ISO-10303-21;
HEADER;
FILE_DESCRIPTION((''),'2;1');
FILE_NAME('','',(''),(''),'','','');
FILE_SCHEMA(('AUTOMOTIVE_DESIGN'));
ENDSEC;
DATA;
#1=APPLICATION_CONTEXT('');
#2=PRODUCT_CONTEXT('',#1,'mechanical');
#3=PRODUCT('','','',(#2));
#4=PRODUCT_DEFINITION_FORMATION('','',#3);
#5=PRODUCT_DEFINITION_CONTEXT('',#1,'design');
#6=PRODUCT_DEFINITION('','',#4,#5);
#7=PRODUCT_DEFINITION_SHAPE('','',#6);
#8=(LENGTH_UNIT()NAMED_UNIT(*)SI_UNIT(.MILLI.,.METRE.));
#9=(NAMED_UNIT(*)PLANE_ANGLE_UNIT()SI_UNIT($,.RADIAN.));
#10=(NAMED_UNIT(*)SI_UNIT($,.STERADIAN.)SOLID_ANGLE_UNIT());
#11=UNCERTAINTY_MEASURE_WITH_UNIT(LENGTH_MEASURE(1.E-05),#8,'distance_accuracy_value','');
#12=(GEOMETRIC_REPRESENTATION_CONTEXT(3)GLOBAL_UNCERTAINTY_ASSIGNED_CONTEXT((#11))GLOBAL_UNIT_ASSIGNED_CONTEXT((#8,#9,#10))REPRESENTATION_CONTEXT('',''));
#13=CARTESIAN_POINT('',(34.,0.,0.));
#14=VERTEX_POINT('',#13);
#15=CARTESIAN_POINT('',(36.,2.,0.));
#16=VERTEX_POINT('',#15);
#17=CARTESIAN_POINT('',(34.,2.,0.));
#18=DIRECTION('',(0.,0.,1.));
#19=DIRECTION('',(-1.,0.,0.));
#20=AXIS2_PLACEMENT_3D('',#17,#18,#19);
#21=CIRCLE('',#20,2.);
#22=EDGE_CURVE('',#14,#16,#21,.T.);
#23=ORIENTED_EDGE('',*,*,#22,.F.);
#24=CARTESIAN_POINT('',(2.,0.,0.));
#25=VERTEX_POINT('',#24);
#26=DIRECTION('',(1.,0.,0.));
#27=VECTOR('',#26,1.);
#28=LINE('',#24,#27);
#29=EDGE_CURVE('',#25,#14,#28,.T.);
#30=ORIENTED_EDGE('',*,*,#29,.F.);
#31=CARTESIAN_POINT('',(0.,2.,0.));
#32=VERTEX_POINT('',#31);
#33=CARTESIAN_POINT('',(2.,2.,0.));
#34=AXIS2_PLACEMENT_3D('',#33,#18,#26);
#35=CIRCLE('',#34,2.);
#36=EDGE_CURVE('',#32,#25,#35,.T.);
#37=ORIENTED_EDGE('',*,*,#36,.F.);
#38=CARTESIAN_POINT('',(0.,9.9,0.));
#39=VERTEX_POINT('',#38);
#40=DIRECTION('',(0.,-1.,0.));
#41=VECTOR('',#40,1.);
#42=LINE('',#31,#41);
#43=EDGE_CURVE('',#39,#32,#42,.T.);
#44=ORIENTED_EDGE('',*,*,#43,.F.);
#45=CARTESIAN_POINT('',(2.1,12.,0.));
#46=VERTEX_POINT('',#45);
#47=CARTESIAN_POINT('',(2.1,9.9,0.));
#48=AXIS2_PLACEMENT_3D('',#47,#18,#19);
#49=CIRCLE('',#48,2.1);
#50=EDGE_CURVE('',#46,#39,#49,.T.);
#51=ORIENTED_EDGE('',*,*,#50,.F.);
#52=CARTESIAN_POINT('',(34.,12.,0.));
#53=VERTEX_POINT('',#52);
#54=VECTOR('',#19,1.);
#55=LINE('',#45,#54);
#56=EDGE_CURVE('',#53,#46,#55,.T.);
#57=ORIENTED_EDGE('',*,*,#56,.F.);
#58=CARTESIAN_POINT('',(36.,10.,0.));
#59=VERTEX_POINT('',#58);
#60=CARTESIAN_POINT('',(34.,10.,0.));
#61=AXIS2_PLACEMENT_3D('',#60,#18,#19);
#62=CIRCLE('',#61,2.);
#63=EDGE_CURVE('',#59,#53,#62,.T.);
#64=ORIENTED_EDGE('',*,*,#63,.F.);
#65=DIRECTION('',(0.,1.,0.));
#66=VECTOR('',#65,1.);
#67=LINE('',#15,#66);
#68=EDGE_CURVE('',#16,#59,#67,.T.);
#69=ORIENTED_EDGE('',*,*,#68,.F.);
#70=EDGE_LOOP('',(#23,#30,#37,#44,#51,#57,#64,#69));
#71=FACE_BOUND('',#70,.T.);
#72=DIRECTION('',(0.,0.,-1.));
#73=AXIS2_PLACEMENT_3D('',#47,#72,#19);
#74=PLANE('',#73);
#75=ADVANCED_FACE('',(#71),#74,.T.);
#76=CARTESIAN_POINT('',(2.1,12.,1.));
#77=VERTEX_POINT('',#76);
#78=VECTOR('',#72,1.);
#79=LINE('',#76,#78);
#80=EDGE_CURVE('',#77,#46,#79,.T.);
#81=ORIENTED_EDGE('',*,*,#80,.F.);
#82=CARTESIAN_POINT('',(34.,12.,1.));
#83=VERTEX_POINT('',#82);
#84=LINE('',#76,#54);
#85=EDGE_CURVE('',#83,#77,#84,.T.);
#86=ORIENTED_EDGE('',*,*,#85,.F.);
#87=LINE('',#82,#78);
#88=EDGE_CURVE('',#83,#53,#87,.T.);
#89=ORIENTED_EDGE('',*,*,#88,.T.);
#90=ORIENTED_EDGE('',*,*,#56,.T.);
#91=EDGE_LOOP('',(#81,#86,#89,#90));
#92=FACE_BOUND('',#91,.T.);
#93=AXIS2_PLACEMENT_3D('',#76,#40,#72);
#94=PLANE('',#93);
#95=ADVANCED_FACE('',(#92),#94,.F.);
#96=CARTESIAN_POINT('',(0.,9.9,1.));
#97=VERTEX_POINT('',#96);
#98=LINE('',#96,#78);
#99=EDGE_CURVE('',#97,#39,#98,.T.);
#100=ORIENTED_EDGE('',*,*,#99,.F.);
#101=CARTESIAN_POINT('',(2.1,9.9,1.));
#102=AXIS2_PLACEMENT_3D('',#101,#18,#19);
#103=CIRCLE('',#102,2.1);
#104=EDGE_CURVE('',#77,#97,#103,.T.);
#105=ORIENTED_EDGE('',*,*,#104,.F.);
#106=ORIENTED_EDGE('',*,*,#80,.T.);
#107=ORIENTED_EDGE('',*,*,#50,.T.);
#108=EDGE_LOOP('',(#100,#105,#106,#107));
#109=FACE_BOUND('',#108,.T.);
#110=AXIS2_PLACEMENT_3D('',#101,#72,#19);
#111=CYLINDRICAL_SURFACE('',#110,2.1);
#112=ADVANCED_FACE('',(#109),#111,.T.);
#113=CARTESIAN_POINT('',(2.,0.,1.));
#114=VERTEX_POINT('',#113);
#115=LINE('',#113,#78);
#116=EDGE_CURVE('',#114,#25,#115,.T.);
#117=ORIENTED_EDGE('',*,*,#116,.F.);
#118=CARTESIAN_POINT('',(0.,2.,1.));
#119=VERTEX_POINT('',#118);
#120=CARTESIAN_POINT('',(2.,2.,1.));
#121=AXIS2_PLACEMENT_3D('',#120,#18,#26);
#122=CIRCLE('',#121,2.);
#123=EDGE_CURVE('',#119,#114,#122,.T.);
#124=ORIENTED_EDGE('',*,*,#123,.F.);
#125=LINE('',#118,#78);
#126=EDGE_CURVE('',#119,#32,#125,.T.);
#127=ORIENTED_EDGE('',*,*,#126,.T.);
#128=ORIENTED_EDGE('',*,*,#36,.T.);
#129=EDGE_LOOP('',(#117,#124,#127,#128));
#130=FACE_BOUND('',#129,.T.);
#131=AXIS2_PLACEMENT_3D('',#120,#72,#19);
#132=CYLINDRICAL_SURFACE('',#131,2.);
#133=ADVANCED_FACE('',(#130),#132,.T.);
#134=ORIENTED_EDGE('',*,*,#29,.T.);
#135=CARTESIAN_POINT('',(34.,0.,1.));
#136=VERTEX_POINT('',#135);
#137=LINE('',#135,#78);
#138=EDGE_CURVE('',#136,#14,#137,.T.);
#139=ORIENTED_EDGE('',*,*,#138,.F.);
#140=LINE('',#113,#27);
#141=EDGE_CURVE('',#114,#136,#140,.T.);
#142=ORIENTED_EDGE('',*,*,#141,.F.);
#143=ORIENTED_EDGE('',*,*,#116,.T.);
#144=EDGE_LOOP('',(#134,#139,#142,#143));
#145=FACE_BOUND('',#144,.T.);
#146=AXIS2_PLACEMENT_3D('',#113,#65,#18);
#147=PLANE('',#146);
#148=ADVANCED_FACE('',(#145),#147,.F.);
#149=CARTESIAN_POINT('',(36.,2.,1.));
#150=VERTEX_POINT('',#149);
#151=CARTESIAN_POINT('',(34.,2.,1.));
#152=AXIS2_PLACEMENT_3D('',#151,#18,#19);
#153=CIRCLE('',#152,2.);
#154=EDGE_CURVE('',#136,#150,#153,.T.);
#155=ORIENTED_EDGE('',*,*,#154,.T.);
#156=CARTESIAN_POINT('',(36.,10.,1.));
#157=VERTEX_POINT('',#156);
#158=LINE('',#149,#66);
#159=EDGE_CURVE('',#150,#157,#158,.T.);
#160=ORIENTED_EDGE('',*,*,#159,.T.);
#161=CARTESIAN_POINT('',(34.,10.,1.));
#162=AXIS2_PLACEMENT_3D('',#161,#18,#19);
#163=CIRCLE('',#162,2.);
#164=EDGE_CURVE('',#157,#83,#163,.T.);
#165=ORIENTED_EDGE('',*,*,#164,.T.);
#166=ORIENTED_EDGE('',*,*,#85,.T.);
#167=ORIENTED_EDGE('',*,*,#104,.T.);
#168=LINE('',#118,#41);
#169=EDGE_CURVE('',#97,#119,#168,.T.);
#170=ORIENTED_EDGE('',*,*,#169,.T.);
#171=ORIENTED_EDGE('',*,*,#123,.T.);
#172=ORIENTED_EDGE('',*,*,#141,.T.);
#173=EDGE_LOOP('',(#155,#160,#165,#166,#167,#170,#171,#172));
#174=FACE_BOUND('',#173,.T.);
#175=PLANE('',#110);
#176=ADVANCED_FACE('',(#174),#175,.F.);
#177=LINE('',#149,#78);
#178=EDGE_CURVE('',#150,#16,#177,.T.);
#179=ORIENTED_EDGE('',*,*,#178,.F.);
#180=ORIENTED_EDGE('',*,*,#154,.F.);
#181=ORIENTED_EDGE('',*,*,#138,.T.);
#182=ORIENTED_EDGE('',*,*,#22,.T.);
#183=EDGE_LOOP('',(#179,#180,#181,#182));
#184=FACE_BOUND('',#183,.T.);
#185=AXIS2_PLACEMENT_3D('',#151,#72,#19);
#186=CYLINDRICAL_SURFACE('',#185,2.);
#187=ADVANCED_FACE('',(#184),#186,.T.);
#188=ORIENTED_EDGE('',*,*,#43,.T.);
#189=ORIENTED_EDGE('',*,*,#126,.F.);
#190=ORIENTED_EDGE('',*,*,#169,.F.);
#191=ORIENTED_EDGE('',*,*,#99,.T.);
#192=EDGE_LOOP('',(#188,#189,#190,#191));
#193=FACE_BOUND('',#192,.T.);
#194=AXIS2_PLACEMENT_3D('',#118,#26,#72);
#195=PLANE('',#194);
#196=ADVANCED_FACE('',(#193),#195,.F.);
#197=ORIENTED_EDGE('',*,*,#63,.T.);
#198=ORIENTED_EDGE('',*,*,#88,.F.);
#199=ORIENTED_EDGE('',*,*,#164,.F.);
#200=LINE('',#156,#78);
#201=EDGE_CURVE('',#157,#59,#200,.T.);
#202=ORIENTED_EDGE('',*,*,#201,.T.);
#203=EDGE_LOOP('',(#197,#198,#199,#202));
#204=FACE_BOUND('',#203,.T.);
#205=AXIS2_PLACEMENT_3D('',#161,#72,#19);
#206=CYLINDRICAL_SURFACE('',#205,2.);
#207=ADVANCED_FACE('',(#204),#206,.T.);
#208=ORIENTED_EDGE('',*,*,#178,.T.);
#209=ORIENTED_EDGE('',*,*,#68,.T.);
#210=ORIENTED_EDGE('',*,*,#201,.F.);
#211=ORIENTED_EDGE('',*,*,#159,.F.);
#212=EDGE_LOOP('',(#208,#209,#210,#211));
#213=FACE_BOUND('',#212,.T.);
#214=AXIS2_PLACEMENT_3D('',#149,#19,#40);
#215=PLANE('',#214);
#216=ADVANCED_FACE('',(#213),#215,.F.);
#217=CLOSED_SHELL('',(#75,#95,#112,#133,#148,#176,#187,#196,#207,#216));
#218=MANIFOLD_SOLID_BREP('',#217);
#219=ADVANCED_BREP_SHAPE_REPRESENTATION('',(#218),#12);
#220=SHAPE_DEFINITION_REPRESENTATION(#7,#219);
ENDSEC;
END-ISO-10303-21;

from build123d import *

# Parameters (mm, degrees)
EXTRUDE_1_DEPTH = 1


with BuildPart() as part:
    # 草图1 → 凸台-拉伸1 (new body)
    with BuildSketch(Plane.XY):
        with BuildLine():
            Line((2, 0), (34, 0))
            ThreePointArc((34, 0), (35.414213562, 0.585786438), (36, 2))
            Line((36, 2), (36, 10))
            ThreePointArc((36, 10), (35.414213562, 11.414213562), (34, 12))
            Line((34, 12), (2.1, 12))
            ThreePointArc((2.1, 12), (0.61507576, 11.38492424), (0, 9.9))
            Line((0, 9.9), (0, 2))
            ThreePointArc((0, 2), (0.585786438, 0.585786438), (2, 0))
        make_face()
    extrude(amount=EXTRUDE_1_DEPTH)


solid = part.part
